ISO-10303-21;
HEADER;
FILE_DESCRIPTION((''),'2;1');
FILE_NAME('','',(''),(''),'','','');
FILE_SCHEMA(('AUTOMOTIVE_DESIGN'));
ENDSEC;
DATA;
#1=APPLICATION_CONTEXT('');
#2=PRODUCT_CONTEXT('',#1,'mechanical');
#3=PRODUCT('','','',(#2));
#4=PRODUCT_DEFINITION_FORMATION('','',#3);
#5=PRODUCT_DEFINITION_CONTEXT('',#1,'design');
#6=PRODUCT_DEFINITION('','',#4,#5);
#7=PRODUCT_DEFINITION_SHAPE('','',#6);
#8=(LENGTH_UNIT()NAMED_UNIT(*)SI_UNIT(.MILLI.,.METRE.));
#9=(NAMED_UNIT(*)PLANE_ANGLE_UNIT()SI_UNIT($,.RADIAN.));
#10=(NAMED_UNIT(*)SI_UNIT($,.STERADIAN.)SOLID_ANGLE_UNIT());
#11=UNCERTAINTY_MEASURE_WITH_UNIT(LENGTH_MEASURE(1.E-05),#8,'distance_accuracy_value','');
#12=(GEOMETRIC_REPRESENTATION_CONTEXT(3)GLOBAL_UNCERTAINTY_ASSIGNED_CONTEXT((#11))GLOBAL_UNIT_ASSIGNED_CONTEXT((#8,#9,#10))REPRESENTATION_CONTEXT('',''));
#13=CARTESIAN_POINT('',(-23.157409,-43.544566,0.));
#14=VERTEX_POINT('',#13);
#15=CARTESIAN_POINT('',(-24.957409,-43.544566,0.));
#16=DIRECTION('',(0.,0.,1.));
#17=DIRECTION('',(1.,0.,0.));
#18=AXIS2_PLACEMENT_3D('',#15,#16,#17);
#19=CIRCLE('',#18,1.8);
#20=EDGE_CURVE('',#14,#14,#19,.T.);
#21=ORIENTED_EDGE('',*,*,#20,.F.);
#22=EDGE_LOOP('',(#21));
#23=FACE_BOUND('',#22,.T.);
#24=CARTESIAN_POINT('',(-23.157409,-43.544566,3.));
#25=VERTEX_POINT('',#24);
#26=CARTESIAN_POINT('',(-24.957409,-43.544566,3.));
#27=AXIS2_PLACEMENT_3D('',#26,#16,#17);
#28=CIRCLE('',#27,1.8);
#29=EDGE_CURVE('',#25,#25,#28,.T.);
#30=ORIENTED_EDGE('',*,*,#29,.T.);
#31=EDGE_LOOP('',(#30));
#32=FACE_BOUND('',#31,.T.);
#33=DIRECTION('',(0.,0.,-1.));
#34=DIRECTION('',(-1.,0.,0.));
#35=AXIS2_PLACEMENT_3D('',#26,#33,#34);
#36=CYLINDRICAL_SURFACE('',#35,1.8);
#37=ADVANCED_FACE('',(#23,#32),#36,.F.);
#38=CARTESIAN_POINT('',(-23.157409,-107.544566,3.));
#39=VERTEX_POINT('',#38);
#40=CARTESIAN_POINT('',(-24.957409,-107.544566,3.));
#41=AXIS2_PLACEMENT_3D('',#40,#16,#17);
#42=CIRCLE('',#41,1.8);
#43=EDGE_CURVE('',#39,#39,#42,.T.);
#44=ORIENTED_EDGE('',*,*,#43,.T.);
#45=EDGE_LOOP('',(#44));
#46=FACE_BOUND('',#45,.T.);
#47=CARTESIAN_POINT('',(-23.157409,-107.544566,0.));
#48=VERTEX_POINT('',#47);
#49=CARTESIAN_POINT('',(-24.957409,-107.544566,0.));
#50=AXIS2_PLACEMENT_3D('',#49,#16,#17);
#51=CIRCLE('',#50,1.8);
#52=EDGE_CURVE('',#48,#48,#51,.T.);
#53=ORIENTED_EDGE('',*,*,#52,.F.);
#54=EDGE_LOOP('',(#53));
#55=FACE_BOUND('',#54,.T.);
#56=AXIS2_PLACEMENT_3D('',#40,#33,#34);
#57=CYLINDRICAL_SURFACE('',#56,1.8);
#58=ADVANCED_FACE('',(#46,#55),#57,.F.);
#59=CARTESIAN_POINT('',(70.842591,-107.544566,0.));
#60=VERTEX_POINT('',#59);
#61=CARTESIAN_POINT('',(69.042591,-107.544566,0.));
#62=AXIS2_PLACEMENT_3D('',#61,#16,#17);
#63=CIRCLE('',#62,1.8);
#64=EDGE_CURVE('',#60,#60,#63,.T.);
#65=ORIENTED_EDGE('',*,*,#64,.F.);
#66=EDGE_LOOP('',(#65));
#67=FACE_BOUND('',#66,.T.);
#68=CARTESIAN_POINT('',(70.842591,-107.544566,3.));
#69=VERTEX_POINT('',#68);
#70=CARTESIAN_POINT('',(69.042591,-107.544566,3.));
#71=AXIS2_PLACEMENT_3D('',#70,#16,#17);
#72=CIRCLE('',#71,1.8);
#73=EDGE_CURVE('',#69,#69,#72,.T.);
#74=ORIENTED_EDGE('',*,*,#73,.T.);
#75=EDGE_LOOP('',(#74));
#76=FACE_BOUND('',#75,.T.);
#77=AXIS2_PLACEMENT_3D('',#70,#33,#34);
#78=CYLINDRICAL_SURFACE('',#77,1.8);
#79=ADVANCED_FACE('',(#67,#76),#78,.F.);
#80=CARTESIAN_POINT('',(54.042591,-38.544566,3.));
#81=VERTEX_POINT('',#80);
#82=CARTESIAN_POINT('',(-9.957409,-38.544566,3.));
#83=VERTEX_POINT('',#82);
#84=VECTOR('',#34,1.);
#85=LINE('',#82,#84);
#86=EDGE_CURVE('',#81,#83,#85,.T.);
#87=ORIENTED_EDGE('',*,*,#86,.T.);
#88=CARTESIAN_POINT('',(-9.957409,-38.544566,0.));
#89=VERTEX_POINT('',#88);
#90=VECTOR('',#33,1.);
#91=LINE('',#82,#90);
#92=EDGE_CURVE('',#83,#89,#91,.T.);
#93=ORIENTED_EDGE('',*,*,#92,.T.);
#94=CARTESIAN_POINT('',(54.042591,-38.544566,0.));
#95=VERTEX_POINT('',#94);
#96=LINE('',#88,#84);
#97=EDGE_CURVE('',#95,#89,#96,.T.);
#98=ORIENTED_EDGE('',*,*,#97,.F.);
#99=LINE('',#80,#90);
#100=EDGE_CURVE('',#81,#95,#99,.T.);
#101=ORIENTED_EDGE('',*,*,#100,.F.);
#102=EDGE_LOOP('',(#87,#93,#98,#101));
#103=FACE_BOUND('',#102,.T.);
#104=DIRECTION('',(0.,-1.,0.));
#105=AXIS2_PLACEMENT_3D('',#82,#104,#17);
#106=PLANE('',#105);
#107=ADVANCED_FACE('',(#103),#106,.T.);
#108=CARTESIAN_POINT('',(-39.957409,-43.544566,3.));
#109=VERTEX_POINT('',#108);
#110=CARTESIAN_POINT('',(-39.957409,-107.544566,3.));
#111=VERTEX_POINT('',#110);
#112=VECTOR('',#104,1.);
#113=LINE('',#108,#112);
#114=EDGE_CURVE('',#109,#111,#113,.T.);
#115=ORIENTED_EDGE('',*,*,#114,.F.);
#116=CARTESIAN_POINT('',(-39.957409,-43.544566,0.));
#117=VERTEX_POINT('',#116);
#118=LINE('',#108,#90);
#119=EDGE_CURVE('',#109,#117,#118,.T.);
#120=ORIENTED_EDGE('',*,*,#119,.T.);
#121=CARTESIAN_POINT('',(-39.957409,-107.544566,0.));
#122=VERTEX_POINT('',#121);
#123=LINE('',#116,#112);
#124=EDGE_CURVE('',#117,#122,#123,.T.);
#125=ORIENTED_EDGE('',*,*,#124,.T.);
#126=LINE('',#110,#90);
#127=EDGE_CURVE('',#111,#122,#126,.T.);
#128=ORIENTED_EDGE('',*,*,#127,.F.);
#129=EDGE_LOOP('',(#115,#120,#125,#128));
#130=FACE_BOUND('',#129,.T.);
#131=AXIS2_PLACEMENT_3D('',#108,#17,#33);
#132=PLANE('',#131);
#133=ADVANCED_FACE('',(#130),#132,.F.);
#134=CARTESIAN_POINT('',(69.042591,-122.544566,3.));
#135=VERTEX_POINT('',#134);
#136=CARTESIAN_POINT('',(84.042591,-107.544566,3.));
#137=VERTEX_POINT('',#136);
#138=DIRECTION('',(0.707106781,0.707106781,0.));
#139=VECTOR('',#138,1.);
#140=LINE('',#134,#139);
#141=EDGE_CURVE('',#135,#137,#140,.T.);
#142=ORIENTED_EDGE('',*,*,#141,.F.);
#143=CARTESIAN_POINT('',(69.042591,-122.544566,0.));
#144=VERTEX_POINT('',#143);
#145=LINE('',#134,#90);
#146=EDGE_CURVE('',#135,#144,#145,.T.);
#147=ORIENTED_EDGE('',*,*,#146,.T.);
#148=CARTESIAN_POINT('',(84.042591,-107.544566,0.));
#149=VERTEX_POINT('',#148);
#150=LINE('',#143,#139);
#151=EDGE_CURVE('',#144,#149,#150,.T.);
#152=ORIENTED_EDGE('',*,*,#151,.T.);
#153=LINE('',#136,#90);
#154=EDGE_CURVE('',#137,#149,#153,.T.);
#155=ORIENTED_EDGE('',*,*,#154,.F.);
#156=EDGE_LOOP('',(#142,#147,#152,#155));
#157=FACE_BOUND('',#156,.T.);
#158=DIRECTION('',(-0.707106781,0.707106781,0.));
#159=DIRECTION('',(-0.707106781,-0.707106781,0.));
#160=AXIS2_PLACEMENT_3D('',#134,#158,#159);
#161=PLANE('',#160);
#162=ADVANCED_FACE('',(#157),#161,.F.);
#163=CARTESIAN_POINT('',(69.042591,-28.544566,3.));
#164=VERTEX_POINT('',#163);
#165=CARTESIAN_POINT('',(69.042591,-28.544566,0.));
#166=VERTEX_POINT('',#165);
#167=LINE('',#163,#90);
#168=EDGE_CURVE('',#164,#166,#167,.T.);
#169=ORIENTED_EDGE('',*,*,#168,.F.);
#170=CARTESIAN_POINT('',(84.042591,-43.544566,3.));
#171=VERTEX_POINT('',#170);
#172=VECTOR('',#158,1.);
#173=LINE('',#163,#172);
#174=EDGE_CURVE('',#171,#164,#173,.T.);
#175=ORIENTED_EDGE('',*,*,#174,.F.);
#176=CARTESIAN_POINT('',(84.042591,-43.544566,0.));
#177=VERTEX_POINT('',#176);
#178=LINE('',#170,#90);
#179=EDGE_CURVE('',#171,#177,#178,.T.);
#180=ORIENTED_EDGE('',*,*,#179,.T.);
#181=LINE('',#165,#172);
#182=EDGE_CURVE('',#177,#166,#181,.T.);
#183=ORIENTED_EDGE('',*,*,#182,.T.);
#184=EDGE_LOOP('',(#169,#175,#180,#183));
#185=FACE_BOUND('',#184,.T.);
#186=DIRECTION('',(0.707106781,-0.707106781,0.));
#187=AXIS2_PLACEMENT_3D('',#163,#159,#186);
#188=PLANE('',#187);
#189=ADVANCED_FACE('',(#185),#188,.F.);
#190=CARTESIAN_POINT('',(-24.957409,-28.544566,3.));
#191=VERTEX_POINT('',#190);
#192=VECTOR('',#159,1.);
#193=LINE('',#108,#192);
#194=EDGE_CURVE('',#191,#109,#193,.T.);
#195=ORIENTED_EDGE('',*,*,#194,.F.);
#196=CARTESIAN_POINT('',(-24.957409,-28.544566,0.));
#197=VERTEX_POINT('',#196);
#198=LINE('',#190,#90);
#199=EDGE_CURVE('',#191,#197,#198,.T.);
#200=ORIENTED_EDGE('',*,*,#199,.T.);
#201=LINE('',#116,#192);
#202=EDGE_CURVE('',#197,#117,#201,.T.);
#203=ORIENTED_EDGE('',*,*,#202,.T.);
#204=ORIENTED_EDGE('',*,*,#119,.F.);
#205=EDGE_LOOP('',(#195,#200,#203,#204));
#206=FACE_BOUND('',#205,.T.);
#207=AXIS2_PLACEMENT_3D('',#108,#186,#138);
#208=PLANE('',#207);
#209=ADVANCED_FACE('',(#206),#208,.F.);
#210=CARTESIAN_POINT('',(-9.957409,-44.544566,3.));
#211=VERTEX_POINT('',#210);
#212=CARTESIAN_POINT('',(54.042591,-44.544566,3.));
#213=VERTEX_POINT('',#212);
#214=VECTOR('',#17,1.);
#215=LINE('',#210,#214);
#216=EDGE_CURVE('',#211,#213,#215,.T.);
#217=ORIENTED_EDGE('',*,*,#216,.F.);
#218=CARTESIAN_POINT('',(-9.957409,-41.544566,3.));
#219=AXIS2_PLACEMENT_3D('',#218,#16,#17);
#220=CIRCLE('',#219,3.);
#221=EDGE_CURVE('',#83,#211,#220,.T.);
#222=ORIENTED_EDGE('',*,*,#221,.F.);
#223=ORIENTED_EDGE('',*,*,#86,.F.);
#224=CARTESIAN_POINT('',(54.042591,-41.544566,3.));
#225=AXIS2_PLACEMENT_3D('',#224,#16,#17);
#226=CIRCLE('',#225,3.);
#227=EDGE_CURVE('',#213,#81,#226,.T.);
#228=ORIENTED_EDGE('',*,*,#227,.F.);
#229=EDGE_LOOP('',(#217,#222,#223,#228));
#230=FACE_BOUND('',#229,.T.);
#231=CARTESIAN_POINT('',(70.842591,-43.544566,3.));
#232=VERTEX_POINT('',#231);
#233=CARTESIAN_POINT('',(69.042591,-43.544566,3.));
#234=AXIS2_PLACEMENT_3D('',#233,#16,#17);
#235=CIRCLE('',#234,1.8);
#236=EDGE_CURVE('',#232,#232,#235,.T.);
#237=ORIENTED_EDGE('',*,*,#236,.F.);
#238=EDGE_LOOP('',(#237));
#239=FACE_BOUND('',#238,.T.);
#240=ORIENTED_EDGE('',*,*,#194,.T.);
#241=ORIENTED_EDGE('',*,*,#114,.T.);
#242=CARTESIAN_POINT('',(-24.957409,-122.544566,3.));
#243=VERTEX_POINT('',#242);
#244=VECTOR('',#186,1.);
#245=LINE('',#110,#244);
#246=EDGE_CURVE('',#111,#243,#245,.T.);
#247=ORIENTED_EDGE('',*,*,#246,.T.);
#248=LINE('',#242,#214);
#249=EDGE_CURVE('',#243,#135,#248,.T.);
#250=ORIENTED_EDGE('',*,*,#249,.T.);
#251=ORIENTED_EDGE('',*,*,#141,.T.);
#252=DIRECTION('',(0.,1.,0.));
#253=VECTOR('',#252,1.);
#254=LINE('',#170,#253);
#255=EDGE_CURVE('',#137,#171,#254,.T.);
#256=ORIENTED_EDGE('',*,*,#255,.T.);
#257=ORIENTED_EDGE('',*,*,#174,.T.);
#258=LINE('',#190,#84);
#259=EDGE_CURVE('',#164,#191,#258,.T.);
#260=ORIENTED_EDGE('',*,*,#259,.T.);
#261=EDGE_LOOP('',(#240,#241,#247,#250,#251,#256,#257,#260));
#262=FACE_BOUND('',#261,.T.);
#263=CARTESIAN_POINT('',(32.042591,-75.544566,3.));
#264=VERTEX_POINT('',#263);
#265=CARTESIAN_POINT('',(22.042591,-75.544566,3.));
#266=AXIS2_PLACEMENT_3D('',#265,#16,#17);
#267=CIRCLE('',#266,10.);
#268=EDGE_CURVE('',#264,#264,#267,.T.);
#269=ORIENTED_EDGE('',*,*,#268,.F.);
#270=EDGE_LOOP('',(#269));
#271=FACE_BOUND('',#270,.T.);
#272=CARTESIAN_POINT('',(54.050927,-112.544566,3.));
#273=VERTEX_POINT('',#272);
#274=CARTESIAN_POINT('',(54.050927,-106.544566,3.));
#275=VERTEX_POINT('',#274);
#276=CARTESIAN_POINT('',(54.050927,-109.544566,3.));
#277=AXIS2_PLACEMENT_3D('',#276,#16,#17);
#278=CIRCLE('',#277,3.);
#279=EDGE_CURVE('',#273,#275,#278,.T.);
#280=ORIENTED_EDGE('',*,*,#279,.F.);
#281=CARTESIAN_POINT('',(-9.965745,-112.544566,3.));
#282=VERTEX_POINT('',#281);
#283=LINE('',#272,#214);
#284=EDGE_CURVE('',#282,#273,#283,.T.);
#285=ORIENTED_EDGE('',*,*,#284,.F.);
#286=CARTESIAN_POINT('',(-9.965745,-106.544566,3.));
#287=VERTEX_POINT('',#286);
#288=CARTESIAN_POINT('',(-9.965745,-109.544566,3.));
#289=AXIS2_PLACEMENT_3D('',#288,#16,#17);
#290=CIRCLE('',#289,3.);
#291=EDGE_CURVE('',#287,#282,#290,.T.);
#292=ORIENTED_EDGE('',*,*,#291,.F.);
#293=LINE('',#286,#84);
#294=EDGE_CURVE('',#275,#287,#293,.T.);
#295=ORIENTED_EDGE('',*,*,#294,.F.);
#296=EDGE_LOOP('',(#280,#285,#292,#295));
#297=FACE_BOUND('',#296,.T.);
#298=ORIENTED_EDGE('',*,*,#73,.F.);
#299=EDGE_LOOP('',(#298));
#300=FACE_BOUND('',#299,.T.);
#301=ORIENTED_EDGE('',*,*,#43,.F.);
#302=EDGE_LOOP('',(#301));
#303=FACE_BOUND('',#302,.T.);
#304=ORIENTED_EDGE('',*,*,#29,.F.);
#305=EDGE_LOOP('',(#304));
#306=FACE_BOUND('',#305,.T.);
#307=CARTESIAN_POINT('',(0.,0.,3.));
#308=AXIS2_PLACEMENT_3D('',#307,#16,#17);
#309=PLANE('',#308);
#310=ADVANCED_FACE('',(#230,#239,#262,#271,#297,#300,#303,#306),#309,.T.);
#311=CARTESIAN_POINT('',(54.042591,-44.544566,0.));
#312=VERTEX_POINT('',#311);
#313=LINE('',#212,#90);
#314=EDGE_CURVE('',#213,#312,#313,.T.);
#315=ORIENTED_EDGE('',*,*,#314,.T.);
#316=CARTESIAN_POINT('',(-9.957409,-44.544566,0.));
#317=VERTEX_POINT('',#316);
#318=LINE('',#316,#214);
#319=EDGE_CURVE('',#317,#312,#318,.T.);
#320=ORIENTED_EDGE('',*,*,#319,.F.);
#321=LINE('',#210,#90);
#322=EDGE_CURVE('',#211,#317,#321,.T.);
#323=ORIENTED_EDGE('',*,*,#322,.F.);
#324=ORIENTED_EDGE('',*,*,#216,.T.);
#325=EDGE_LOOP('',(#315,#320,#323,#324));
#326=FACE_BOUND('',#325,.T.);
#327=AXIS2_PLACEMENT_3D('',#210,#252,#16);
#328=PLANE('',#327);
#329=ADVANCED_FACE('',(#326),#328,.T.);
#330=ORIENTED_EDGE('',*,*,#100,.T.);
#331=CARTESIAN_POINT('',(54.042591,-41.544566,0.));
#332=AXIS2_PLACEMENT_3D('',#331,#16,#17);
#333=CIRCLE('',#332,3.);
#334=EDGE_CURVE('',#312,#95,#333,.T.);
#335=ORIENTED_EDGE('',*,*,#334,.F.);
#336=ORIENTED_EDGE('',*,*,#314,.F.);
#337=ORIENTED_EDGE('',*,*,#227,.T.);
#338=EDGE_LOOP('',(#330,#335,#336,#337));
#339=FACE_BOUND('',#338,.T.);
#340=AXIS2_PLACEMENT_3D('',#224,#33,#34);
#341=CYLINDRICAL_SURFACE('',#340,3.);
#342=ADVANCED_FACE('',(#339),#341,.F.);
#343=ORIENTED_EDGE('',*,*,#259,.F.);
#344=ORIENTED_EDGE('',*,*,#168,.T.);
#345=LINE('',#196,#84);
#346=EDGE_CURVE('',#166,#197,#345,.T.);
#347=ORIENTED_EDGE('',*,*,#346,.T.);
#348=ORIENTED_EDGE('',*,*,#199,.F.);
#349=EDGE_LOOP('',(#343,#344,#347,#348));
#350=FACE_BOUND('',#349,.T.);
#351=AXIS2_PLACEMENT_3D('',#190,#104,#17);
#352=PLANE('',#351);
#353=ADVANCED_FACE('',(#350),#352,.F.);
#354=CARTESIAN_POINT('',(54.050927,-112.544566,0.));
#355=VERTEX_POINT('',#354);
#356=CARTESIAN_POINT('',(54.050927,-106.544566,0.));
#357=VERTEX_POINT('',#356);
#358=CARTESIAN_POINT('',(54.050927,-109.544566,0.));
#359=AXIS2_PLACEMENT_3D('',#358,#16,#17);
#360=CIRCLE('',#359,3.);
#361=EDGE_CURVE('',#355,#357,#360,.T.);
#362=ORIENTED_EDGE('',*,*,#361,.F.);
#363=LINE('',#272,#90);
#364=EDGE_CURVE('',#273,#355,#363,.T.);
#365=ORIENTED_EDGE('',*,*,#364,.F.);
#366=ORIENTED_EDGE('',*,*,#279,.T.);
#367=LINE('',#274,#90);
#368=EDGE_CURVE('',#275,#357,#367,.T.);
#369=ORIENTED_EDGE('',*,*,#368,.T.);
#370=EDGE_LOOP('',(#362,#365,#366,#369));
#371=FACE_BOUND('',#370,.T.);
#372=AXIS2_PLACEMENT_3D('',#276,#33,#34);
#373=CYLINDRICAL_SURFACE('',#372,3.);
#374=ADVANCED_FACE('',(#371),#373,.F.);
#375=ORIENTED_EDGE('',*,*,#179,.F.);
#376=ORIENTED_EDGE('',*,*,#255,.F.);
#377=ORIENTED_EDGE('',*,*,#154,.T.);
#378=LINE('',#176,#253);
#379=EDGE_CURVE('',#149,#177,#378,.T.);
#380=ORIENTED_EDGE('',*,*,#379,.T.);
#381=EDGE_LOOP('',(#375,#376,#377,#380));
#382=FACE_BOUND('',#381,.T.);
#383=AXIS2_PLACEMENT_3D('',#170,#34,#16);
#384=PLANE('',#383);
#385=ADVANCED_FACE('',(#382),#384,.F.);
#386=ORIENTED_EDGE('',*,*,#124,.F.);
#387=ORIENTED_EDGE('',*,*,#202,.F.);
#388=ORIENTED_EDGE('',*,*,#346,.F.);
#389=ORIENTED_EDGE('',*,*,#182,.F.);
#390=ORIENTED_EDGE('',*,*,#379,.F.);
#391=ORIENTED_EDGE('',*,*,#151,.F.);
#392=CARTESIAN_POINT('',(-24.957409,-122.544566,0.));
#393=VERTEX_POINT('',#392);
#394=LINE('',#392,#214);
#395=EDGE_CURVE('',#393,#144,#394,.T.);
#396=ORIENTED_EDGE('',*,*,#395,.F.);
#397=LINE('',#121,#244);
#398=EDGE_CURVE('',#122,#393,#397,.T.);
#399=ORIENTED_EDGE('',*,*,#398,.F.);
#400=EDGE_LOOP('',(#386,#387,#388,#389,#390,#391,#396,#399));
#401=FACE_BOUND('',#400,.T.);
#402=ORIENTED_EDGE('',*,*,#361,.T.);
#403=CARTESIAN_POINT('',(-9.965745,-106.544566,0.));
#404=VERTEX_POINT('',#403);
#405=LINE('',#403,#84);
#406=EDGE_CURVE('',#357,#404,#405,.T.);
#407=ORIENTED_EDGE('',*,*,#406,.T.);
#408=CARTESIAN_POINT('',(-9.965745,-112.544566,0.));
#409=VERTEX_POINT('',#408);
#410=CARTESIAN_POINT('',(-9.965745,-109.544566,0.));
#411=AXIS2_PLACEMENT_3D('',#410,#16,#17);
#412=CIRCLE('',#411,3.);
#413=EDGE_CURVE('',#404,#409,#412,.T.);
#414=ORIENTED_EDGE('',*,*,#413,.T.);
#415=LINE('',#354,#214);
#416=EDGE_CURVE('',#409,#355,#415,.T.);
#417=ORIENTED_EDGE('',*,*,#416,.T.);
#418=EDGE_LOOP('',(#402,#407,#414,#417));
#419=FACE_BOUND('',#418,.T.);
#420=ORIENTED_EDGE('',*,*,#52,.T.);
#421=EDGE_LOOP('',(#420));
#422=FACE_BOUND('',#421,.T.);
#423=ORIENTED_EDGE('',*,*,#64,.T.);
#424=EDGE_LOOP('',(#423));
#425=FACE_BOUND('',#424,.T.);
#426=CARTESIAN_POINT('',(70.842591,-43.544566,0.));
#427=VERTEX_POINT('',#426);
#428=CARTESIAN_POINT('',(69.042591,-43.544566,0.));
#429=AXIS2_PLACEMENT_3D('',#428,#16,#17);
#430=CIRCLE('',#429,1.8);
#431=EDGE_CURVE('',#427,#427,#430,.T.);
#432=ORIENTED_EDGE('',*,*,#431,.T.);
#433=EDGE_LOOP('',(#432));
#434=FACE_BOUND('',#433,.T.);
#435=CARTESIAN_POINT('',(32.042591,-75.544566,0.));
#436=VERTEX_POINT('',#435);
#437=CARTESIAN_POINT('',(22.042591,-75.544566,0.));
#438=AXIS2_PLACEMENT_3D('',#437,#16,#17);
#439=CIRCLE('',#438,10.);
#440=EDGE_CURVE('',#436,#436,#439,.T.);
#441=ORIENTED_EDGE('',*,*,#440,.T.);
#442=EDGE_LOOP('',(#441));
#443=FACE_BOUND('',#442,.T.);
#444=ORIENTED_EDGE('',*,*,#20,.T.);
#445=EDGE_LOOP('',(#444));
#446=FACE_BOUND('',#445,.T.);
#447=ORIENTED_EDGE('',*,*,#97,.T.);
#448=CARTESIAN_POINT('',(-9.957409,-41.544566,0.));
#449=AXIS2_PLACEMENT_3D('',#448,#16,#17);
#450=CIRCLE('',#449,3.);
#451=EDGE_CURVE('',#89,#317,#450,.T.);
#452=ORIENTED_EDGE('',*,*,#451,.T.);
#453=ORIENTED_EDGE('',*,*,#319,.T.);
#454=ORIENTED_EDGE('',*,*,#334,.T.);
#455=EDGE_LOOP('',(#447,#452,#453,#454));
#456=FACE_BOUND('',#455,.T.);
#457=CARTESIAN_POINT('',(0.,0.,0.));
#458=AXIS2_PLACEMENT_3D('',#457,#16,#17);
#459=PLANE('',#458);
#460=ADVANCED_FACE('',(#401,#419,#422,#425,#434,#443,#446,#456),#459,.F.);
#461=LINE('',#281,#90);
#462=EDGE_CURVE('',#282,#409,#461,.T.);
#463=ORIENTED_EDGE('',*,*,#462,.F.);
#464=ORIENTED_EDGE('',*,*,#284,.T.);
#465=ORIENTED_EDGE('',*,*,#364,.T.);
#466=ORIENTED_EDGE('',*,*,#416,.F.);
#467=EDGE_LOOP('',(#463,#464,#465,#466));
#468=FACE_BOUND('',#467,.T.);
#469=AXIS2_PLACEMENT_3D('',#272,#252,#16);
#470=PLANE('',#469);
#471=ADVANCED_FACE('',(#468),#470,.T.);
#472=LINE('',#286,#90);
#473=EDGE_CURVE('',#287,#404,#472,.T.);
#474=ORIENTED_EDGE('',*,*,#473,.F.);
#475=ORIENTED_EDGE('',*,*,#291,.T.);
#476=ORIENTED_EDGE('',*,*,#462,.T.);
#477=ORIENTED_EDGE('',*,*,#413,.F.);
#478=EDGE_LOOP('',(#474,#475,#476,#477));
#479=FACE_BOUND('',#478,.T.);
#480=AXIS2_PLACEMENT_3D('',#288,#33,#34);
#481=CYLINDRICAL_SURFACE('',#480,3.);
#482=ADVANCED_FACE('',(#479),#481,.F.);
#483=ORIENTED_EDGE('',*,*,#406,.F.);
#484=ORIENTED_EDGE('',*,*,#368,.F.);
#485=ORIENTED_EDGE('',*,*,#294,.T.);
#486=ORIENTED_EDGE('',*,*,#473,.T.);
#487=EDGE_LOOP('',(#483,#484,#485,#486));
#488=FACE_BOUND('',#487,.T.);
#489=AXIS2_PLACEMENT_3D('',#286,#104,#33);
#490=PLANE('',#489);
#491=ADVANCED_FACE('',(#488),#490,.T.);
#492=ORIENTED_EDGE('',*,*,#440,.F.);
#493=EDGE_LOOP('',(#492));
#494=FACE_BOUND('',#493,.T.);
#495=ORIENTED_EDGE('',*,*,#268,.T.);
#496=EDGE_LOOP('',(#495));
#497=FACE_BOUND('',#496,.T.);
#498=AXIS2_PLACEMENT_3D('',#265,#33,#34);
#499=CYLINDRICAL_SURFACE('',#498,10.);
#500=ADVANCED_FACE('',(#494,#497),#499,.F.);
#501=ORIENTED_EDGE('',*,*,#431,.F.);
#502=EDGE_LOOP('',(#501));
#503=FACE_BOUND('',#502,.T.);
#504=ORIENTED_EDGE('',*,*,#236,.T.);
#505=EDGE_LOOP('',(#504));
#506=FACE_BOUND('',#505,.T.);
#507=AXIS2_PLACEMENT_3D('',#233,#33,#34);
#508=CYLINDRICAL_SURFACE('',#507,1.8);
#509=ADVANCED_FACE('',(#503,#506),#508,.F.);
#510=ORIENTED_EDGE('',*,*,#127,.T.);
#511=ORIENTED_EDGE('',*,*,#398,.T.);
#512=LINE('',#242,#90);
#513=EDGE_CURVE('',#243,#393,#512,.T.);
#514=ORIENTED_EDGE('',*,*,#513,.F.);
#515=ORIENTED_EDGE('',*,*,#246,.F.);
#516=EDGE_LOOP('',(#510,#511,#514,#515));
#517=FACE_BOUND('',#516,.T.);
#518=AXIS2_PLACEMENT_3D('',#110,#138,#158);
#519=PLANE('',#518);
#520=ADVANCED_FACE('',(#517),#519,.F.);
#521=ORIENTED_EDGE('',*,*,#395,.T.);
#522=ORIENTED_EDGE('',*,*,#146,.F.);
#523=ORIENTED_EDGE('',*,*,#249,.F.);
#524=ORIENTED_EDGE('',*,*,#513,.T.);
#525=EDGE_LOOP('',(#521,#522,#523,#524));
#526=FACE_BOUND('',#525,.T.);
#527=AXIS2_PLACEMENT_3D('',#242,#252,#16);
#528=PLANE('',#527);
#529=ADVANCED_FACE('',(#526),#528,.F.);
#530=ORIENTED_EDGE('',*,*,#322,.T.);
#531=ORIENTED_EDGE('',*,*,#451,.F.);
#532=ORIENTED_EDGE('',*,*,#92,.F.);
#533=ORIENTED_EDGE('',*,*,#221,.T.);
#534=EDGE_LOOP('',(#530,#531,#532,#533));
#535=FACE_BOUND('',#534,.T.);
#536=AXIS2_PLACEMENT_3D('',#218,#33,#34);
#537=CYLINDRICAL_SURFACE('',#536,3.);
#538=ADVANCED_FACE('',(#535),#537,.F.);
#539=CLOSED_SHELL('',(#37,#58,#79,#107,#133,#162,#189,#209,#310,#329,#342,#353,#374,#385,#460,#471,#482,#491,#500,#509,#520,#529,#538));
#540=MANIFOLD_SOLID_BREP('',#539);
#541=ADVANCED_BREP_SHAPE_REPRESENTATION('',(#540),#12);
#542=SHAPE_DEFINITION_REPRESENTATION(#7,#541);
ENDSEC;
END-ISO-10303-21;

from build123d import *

# Parameters (mm, degrees)
SKETCH1_R           = 1.8
SKETCH1_R_2         = 10
BOSS_EXTRUDE1_DEPTH = 3


with BuildPart() as part:
    # Sketch1 → Boss-Extrude1 (new body)
    with BuildSketch(Plane.XY):
        Polygon((-39.957408855, -43.544565591), (-24.957408855, -28.544565591), (69.042591145, -28.544565591), (84.042591145, -43.544565591), (84.042591145, -107.544565591), (69.042591145, -122.544565591), (-24.957408855, -122.544565591), (-39.957408855, -107.544565591), align=None)
        with Locations((-24.957408855, -43.544565591)):
            Circle(SKETCH1_R, mode=Mode.SUBTRACT)
        with Locations((69.042591145, -43.544565591)):
            Circle(SKETCH1_R, mode=Mode.SUBTRACT)
        with Locations((69.042591145, -107.544565591)):
            Circle(SKETCH1_R, mode=Mode.SUBTRACT)
        with Locations((-24.957408855, -107.544565591)):
            Circle(SKETCH1_R, mode=Mode.SUBTRACT)
        with Locations((22.042591145, -75.544565591)):
            Circle(SKETCH1_R_2, mode=Mode.SUBTRACT)
        with BuildLine():
            Line((-9.957408855, -38.544565591), (54.042591145, -38.544565591))
            ThreePointArc((54.042591145, -38.544565591), (57.042591145, -41.544565591), (54.042591145, -44.544565591))
            Line((54.042591145, -44.544565591), (-9.957408855, -44.544565591))
            ThreePointArc((-9.957408855, -44.544565591), (-12.957408855, -41.544565591), (-9.957408855, -38.544565591))
        make_face(mode=Mode.SUBTRACT)
        with BuildLine():
            Line((-9.965744505, -106.544565591), (54.050926794, -106.544565591))
            ThreePointArc((54.050926794, -106.544565591), (57.050926794, -109.544565591), (54.050926794, -112.544565591))
            Line((54.050926794, -112.544565591), (-9.965744505, -112.544565591))
            ThreePointArc((-9.965744505, -112.544565591), (-12.965744505, -109.544565591), (-9.965744505, -106.544565591))
        make_face(mode=Mode.SUBTRACT)
    extrude(amount=BOSS_EXTRUDE1_DEPTH)


solid = part.part
